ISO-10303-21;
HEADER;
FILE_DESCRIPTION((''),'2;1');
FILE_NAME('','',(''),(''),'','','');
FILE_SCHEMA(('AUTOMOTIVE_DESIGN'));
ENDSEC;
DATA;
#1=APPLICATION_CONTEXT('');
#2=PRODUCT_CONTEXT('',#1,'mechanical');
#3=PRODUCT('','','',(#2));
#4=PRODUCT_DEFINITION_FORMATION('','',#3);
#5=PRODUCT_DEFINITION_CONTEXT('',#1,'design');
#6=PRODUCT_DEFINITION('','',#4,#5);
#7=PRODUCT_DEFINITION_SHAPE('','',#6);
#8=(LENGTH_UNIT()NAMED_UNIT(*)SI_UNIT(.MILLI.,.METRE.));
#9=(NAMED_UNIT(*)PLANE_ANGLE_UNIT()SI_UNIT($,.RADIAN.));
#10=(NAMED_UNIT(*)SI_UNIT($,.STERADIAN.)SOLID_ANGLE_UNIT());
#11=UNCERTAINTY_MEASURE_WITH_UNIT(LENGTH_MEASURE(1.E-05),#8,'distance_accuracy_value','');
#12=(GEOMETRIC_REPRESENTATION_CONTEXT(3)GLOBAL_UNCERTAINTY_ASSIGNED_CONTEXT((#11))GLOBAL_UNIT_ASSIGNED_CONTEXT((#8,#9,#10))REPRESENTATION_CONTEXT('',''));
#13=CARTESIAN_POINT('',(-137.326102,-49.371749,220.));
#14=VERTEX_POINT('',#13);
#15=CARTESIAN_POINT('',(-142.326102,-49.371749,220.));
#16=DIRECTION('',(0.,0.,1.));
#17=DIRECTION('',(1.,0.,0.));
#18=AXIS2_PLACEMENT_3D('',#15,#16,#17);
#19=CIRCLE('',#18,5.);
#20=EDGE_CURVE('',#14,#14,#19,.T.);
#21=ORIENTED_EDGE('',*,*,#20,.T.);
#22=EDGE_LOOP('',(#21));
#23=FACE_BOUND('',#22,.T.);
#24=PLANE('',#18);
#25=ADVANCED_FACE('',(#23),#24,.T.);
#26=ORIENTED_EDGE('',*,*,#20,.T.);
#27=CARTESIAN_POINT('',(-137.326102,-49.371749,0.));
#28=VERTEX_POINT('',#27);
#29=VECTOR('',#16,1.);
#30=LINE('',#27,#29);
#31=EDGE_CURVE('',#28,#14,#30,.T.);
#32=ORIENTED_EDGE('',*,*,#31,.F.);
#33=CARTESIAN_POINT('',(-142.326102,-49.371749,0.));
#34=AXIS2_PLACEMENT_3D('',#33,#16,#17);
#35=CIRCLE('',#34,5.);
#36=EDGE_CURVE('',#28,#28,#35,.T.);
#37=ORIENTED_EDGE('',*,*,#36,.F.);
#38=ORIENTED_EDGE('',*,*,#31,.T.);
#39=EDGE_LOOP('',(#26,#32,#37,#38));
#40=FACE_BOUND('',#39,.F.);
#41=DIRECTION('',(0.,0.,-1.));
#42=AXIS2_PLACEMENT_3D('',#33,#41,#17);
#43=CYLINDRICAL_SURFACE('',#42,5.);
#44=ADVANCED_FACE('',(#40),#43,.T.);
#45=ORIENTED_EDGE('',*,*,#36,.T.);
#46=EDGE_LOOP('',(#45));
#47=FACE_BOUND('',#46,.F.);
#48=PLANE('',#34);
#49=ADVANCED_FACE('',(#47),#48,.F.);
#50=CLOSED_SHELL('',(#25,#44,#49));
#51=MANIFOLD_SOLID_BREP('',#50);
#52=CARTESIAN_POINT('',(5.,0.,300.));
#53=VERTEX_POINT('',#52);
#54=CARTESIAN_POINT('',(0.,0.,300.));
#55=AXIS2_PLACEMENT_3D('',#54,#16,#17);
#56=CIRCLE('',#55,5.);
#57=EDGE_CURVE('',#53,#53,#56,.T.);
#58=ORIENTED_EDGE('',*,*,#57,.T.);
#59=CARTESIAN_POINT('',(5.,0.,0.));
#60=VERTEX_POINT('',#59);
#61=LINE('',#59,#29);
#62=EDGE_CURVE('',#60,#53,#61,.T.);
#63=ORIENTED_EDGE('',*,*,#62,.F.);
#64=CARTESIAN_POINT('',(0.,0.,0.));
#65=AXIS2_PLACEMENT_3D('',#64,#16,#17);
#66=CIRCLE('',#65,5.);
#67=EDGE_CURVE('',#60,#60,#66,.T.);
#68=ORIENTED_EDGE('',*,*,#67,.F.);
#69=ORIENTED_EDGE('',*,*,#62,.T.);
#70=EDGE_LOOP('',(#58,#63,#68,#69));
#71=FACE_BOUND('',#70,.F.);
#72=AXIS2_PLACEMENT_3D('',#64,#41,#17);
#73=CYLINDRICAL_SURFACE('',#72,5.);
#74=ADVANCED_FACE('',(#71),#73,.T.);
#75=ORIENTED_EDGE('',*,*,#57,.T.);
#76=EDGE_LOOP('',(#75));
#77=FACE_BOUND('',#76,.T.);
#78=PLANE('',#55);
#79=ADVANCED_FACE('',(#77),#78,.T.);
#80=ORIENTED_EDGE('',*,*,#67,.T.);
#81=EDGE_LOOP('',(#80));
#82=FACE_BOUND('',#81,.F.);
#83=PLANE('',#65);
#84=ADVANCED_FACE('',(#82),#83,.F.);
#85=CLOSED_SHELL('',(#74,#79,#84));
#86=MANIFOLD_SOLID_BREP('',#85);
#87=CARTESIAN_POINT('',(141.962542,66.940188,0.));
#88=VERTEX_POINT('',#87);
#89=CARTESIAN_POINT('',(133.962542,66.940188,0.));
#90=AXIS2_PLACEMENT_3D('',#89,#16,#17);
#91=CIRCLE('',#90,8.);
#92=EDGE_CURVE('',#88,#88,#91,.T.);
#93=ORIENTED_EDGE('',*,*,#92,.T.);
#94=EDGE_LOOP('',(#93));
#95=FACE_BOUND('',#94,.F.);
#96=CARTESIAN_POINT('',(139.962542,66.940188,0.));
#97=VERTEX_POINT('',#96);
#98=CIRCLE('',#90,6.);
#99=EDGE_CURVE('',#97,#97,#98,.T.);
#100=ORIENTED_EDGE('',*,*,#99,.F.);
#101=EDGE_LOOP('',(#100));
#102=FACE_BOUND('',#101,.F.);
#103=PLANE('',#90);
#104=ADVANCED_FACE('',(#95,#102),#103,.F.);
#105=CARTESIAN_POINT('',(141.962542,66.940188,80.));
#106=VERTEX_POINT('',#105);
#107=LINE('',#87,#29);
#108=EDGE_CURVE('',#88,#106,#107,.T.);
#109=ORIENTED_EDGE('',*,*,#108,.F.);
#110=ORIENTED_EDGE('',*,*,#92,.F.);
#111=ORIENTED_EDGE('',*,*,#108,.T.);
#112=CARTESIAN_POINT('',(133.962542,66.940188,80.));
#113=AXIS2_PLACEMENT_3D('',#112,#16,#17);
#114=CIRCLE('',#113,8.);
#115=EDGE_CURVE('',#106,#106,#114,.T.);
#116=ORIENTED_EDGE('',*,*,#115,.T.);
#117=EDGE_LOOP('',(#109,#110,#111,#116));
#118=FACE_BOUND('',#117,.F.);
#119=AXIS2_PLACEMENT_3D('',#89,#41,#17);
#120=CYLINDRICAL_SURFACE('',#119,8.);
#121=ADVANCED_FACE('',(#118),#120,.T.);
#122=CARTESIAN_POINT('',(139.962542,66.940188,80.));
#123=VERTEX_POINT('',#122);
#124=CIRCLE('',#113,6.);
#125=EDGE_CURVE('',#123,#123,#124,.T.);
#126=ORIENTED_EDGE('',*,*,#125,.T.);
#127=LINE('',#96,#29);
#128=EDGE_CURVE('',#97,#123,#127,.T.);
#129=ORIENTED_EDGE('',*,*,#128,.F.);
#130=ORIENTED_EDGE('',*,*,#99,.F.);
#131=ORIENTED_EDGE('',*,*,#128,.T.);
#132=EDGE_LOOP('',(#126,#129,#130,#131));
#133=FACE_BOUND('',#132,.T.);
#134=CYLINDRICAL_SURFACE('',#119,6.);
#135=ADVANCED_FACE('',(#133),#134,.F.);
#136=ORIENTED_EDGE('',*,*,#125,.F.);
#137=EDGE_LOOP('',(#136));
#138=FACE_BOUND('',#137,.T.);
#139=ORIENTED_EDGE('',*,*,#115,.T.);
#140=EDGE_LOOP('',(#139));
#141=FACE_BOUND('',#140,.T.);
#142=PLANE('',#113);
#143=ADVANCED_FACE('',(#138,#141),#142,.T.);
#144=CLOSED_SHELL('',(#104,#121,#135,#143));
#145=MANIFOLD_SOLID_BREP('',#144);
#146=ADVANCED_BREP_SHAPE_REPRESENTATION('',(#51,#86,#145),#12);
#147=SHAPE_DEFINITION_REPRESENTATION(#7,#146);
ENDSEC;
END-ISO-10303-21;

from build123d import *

# Parameters (mm, degrees)
F0_R     = 5
F1_DEPTH = 300
F2_R     = 5
F3_DEPTH = 220
F4_R     = 8
F4_R_2   = 6
F5_DEPTH = 80


with BuildPart() as f1:
    # F0 (on Top) → F1 (new body)
    with BuildSketch(Plane.XY):
        Circle(F0_R)
    extrude(amount=F1_DEPTH)


with BuildPart() as f3:
    # F2 (on Top) → F3 (new body)
    with BuildSketch(Plane.XY):
        with Locations((-142.326102, -49.371749)):
            Circle(F2_R)
    extrude(amount=F3_DEPTH)


with BuildPart() as f5:
    # F4 (on Top) → F5 (new body)
    with BuildSketch(Plane.XY):
        with Locations((133.962542, 66.940188)):
            Circle(F4_R)
        with Locations((133.962542, 66.940188)):
            Circle(F4_R_2, mode=Mode.SUBTRACT)
    extrude(amount=F5_DEPTH)


solid = Compound([f1.part, f3.part, f5.part])
